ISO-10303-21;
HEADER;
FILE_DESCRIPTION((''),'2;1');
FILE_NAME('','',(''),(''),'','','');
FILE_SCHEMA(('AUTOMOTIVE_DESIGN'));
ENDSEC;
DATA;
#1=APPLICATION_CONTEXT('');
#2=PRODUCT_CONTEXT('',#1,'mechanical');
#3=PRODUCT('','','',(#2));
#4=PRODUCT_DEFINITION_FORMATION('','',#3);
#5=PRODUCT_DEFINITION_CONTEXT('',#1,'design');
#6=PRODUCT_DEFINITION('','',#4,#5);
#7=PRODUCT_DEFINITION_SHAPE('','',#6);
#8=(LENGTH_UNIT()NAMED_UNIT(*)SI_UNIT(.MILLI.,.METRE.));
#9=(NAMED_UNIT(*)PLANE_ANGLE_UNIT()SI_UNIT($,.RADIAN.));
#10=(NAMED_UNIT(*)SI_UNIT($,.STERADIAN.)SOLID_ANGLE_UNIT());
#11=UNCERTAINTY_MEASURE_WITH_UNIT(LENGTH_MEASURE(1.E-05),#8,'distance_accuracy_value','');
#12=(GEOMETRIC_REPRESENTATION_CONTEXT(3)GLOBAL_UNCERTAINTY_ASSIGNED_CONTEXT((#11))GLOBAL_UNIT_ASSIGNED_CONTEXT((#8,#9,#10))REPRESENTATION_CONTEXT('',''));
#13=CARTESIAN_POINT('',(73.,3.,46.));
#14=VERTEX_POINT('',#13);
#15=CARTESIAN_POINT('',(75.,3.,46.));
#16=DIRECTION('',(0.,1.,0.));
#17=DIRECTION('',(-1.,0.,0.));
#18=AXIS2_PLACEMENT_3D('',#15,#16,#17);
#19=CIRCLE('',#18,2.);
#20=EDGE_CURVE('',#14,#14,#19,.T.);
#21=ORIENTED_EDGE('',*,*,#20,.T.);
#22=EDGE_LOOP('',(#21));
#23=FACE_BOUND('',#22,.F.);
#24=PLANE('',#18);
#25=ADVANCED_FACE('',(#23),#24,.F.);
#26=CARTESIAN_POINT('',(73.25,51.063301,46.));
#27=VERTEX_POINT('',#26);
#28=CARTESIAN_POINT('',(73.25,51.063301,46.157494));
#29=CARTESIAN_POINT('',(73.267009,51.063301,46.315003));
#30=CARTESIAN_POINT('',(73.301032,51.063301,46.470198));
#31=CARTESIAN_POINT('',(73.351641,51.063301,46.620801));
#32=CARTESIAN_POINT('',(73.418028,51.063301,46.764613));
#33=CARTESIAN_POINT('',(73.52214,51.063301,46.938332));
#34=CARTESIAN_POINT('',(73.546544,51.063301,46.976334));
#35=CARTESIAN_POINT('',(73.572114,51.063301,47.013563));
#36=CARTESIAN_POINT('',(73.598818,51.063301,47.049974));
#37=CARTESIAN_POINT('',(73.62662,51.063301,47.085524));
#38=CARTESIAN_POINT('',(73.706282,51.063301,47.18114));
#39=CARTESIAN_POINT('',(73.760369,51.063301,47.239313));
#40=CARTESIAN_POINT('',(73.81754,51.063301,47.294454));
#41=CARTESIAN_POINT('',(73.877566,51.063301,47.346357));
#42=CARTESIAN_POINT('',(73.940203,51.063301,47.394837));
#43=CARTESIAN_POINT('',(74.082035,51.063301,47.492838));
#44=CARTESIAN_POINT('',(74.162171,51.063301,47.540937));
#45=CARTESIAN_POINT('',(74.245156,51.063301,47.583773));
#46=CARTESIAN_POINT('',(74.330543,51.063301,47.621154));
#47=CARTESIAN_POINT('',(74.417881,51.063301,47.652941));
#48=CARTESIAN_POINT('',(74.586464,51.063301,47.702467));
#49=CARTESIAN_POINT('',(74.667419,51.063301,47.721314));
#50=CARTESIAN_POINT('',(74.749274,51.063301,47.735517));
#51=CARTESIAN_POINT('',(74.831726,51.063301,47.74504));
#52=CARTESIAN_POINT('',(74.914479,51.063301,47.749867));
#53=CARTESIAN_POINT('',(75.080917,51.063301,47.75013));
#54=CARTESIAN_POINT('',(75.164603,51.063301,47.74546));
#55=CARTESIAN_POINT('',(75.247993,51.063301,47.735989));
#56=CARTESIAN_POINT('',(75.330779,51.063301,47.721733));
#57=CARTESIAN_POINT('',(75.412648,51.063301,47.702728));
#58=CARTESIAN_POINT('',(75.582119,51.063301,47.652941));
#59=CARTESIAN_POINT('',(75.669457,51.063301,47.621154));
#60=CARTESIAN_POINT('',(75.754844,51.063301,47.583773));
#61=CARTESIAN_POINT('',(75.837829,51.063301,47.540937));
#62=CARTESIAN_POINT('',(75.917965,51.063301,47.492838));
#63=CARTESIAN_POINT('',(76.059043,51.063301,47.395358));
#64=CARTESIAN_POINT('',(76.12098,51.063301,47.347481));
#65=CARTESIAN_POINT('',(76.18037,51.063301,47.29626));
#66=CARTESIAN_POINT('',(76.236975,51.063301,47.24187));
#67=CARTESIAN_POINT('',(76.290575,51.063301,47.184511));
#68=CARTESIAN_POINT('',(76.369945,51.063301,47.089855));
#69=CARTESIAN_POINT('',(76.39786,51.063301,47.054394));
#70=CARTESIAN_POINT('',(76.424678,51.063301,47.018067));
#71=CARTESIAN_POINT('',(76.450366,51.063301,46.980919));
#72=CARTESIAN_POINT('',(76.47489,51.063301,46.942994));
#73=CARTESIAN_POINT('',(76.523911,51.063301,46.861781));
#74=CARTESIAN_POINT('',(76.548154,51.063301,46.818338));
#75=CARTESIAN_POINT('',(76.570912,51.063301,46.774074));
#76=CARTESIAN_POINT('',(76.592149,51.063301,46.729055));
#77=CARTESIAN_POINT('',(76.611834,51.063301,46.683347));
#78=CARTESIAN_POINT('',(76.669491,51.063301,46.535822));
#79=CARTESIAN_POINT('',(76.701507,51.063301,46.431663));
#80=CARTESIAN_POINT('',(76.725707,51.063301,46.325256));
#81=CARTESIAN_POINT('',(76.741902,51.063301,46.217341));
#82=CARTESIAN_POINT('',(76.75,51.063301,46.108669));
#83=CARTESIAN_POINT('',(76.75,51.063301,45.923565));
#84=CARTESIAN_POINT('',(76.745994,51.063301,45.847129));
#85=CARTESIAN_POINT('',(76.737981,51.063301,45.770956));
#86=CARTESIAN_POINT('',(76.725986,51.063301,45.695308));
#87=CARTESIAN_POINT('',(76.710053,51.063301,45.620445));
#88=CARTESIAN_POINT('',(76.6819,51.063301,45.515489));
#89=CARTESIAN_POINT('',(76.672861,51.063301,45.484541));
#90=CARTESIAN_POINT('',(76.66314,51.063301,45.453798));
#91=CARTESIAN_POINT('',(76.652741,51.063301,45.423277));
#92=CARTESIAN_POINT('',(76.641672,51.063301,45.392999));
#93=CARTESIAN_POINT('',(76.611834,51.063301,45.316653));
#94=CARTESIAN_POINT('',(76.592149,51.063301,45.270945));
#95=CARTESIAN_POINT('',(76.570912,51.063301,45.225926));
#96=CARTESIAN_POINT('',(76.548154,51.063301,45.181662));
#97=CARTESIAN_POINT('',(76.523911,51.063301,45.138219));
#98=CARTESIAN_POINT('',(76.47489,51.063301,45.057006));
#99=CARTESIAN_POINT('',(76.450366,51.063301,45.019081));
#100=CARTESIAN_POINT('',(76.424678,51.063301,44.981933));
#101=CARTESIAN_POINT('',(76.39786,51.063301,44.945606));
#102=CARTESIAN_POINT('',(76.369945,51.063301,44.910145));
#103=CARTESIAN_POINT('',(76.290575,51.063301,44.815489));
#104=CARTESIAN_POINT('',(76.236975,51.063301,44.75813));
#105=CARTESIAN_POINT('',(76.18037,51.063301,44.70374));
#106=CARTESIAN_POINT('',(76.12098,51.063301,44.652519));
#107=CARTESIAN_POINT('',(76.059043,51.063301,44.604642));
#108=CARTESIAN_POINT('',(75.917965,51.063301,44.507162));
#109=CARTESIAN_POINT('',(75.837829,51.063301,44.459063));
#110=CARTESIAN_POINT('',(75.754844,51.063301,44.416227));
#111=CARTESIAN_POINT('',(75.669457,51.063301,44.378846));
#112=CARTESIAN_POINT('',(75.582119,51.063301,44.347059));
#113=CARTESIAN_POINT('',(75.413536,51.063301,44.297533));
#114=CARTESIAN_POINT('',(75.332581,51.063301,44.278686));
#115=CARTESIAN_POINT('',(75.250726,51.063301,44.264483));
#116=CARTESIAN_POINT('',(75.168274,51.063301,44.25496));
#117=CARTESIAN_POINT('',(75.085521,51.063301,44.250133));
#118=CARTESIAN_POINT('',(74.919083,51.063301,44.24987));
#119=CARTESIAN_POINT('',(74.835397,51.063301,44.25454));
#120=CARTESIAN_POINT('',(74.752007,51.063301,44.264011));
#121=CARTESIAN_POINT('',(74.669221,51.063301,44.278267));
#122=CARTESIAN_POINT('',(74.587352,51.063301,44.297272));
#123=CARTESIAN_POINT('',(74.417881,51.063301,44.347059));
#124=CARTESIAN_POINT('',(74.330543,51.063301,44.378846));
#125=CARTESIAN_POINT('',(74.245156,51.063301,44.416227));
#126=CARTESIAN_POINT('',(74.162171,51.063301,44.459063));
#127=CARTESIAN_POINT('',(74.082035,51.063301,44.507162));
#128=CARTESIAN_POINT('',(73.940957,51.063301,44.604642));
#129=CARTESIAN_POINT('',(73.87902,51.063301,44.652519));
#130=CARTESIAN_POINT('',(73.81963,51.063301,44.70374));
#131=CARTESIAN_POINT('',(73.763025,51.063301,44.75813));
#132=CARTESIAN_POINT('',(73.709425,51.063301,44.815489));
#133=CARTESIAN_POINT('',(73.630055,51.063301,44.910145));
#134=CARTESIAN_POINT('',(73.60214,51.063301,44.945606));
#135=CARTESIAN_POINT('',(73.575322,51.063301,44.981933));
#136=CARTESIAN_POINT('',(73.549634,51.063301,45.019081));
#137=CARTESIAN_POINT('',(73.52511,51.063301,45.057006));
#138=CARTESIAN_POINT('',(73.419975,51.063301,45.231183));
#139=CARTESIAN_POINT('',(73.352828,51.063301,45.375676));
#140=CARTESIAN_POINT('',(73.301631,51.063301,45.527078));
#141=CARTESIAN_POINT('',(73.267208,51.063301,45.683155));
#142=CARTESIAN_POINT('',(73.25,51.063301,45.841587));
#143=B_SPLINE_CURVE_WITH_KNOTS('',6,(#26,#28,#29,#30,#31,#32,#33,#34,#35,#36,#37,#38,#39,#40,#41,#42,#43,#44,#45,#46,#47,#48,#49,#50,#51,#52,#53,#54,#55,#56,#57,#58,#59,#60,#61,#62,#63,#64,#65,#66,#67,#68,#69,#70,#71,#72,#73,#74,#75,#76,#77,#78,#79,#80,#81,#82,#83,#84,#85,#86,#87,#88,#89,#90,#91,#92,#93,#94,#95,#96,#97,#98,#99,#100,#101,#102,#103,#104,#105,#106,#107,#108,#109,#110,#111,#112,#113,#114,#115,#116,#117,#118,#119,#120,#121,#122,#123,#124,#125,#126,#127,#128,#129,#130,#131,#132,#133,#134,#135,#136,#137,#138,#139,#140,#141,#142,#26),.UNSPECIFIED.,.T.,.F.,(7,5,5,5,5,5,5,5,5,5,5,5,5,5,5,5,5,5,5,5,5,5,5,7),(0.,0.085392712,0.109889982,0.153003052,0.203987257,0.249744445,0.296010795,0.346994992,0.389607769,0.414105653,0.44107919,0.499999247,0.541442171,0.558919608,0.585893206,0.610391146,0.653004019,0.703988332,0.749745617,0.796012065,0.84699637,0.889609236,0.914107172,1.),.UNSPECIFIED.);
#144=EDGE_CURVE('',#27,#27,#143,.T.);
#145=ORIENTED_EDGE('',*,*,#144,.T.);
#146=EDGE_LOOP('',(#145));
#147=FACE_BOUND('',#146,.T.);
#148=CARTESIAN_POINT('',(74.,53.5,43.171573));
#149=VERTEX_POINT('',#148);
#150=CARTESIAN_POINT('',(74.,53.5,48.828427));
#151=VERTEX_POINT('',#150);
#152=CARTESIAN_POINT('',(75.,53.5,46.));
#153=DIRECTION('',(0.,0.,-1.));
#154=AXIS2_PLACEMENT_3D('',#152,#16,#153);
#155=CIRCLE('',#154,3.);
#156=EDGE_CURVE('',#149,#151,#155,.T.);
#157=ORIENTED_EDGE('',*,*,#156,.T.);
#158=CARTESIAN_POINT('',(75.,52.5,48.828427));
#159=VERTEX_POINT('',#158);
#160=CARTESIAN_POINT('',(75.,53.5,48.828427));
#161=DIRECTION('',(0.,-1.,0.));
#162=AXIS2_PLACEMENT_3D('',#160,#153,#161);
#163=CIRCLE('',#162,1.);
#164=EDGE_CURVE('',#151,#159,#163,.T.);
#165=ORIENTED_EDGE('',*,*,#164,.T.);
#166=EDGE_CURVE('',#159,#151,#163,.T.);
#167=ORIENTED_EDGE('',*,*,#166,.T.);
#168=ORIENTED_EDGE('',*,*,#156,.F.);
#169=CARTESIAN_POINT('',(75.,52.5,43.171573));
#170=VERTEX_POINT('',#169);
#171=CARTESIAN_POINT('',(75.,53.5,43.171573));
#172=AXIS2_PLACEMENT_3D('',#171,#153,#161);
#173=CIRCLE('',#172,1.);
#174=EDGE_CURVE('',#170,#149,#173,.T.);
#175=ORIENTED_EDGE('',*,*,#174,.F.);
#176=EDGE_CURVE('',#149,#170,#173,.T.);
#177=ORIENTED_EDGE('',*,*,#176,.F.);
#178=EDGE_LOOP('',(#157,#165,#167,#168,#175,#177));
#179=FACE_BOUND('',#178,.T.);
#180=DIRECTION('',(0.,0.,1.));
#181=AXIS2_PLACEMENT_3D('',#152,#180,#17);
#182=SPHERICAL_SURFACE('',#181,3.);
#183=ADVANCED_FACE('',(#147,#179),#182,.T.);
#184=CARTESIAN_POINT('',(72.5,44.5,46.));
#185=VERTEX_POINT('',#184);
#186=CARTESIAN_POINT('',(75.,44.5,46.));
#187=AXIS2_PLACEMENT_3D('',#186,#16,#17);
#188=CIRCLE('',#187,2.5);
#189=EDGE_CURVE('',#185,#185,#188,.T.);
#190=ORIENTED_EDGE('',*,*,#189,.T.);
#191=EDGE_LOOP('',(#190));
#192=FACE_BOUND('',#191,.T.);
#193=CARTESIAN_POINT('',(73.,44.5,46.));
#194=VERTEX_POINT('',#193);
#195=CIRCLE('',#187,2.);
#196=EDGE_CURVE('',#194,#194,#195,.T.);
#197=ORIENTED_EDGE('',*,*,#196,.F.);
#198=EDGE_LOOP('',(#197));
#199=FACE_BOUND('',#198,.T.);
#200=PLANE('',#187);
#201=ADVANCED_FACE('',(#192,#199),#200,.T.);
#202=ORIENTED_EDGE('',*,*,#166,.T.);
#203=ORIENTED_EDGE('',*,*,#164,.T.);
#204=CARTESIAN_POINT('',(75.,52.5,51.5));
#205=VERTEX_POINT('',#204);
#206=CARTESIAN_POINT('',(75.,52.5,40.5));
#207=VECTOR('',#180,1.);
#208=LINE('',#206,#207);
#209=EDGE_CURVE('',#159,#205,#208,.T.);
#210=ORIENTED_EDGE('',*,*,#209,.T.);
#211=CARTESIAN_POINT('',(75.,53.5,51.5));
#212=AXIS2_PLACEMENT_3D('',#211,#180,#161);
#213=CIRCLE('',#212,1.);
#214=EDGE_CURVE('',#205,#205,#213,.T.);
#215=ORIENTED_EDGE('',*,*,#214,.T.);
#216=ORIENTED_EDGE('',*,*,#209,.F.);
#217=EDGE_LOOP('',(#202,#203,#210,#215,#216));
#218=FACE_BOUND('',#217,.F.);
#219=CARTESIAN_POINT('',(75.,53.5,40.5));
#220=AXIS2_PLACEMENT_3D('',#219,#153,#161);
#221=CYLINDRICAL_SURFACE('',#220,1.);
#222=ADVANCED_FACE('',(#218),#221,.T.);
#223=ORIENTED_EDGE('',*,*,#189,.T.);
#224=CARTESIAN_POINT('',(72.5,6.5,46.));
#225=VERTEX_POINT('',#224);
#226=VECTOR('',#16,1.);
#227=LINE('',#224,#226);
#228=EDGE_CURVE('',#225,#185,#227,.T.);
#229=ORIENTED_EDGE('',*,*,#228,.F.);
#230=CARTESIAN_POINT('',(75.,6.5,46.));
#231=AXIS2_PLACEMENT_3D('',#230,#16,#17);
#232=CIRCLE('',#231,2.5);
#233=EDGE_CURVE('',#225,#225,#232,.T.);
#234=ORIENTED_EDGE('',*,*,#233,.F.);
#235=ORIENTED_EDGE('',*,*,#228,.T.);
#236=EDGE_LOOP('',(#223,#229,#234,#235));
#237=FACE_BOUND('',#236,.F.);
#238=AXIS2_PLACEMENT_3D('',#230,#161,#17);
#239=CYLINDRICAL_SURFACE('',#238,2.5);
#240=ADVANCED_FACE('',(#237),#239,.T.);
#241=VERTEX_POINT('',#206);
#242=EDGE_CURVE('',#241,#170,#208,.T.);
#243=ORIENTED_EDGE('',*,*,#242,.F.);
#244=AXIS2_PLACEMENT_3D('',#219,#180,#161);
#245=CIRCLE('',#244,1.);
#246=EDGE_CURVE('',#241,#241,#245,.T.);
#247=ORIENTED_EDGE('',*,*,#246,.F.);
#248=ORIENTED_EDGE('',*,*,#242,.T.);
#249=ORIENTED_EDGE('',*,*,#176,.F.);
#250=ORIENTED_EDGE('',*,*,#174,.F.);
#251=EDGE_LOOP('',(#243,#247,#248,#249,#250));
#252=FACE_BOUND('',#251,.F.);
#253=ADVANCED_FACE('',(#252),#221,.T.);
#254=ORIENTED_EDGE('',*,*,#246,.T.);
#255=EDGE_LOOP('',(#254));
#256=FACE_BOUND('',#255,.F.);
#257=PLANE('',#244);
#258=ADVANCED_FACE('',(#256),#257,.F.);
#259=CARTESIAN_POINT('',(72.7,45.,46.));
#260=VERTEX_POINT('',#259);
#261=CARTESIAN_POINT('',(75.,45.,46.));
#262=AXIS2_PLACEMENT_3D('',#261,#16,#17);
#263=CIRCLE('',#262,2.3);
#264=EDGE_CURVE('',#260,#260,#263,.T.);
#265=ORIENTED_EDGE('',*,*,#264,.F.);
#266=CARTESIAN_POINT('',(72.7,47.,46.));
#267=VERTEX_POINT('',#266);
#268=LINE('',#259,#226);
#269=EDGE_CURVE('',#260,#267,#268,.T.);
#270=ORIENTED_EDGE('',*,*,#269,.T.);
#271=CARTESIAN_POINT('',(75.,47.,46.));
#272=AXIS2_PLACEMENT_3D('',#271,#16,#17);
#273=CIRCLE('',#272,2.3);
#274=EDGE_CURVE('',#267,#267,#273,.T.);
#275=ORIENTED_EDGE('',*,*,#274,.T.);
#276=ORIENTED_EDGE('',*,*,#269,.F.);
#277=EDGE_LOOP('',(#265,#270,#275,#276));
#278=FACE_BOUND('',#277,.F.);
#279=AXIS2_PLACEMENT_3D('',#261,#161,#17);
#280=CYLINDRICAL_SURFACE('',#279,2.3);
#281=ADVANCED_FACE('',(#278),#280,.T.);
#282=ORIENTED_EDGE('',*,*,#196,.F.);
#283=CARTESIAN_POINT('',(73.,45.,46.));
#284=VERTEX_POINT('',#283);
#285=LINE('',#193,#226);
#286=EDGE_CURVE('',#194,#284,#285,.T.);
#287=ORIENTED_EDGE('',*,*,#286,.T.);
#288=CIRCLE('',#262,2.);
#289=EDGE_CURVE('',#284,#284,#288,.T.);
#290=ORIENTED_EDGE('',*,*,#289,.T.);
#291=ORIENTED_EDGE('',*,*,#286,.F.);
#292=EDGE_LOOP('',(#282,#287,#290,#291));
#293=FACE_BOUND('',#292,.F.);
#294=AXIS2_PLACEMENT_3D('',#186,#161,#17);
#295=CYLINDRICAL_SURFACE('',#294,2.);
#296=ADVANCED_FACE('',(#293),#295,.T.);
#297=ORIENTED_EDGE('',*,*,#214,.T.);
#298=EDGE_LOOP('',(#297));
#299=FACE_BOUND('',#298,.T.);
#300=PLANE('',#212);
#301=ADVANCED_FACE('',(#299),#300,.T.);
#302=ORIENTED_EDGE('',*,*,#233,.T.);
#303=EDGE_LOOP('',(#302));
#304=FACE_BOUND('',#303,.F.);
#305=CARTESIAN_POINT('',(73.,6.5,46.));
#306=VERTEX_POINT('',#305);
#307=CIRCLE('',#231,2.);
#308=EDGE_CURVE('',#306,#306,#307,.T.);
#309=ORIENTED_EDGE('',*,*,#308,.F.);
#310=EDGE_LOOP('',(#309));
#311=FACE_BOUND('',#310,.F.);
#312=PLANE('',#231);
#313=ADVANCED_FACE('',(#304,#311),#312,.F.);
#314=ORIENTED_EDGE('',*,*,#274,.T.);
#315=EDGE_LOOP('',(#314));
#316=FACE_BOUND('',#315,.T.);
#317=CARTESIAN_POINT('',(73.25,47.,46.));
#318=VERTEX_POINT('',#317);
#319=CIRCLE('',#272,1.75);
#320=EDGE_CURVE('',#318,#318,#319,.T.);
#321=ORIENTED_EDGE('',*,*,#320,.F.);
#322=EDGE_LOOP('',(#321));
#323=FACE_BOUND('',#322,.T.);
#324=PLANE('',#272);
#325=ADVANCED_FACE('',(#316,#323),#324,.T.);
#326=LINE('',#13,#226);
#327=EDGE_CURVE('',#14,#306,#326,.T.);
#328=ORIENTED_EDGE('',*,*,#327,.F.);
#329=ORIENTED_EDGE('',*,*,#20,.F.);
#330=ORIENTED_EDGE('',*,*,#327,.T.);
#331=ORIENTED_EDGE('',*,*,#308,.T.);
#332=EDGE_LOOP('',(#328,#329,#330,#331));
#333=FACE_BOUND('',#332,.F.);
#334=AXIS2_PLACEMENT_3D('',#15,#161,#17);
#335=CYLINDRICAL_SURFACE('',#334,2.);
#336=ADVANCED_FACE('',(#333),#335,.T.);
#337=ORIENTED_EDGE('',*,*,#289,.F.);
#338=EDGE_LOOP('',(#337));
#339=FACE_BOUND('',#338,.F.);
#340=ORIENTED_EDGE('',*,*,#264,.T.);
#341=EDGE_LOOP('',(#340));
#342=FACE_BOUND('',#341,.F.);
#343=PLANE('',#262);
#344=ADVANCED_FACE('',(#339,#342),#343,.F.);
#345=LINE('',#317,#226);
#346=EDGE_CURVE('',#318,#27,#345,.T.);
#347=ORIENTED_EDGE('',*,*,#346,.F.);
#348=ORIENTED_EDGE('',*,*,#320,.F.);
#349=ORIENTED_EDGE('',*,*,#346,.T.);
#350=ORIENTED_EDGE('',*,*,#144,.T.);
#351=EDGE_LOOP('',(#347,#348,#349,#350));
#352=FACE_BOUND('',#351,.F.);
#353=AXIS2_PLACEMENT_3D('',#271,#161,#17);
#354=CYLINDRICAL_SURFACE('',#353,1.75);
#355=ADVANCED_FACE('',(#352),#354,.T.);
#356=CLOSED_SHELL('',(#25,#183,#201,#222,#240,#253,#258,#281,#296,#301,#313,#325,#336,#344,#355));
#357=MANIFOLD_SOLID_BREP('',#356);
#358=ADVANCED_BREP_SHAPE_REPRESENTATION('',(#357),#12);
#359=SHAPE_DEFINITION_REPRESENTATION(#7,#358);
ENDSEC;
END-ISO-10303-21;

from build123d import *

# Parameters (mm, degrees)
CYLINDER830_R                                           = 2.5
CYLINDER830_DEPTH                                       = 38
CYLINDER832_R                                           = 2.3
CYLINDER832_DEPTH                                       = 2
CYLINDER831_R                                           = 2
CYLINDER831_DEPTH                                       = 0.5
CYLINDER833_R                                           = 1.75
CYLINDER833_DEPTH                                       = 6
CYLINDER834_R                                           = 1
CYLINDER834_DEPTH                                       = 11
CYLINDER828_R                                           = 2
CYLINDER828_DEPTH                                       = 3.5
FUSION088026007031024007008004081022014_PLACEMENT_ANGLE = 180


with BuildPart() as cylinder:
    # Cylinder830 → Cylinder830 (new body)
    with BuildSketch(Plane.XZ.offset(-86.5)):
        Circle(CYLINDER830_R)
    extrude(amount=CYLINDER830_DEPTH)


with BuildPart() as cylinder832:
    # Cylinder832 → Cylinder832 (new body)
    with BuildSketch(Plane.XZ.offset(-48)):
        Circle(CYLINDER832_R)
    extrude(amount=CYLINDER832_DEPTH)


with BuildPart() as cylinder831:
    # Cylinder831 → Cylinder831 (new body)
    with BuildSketch(Plane.XZ.offset(-48.5)):
        Circle(CYLINDER831_R)
    extrude(amount=CYLINDER831_DEPTH)


with BuildPart() as sphere:
    # Sphere → Sphere (revolve)
    with BuildSketch(Plane.XZ.offset(-39.5)):
        with BuildLine():
            ThreePointArc((0, -3), (3, 0), (0, 3))
            Line((0, 3), (0, -3))
        make_face()
    revolve(axis=Axis((0, 39.5, 0), (0, 0, 1)))


with BuildPart() as cylinder833:
    # Cylinder833 → Cylinder833 (new body)
    with BuildSketch(Plane.XZ.offset(-46)):
        Circle(CYLINDER833_R)
    extrude(amount=CYLINDER833_DEPTH)


with BuildPart() as cylinder834:
    # Cylinder834 → Cylinder834 (new body)
    with BuildSketch(Plane(origin=(0, 39.5, -5.5), x_dir=(0, 1, 0), z_dir=(0, 0, 1))):
        Circle(CYLINDER834_R)
    extrude(amount=CYLINDER834_DEPTH)


with BuildPart() as axle_shaft_left:
    # Cylinder828 → Cylinder828 (new body)
    with BuildSketch(Plane.XZ.offset(-90)):
        Circle(CYLINDER828_R)
    extrude(amount=CYLINDER828_DEPTH)

    # Fusion088026007031024007008004081022014: union Cylinder, Cylinder832, Cylinder831, Sphere, Cylinder833, Cylinder834
    add(cylinder.part)
    add(cylinder832.part)
    add(cylinder831.part)
    add(sphere.part)
    add(cylinder833.part)
    add(cylinder834.part)


with BuildPart() as axle_shaft_left_1:
    # Fusion088026007031024007008004081022014 placement: moved
    add(axle_shaft_left.part.moved(Location((75, 93, 46))).rotate(Axis((75, 93, 46), (0, 0, 1)), FUSION088026007031024007008004081022014_PLACEMENT_ANGLE))


solid = axle_shaft_left_1.part
